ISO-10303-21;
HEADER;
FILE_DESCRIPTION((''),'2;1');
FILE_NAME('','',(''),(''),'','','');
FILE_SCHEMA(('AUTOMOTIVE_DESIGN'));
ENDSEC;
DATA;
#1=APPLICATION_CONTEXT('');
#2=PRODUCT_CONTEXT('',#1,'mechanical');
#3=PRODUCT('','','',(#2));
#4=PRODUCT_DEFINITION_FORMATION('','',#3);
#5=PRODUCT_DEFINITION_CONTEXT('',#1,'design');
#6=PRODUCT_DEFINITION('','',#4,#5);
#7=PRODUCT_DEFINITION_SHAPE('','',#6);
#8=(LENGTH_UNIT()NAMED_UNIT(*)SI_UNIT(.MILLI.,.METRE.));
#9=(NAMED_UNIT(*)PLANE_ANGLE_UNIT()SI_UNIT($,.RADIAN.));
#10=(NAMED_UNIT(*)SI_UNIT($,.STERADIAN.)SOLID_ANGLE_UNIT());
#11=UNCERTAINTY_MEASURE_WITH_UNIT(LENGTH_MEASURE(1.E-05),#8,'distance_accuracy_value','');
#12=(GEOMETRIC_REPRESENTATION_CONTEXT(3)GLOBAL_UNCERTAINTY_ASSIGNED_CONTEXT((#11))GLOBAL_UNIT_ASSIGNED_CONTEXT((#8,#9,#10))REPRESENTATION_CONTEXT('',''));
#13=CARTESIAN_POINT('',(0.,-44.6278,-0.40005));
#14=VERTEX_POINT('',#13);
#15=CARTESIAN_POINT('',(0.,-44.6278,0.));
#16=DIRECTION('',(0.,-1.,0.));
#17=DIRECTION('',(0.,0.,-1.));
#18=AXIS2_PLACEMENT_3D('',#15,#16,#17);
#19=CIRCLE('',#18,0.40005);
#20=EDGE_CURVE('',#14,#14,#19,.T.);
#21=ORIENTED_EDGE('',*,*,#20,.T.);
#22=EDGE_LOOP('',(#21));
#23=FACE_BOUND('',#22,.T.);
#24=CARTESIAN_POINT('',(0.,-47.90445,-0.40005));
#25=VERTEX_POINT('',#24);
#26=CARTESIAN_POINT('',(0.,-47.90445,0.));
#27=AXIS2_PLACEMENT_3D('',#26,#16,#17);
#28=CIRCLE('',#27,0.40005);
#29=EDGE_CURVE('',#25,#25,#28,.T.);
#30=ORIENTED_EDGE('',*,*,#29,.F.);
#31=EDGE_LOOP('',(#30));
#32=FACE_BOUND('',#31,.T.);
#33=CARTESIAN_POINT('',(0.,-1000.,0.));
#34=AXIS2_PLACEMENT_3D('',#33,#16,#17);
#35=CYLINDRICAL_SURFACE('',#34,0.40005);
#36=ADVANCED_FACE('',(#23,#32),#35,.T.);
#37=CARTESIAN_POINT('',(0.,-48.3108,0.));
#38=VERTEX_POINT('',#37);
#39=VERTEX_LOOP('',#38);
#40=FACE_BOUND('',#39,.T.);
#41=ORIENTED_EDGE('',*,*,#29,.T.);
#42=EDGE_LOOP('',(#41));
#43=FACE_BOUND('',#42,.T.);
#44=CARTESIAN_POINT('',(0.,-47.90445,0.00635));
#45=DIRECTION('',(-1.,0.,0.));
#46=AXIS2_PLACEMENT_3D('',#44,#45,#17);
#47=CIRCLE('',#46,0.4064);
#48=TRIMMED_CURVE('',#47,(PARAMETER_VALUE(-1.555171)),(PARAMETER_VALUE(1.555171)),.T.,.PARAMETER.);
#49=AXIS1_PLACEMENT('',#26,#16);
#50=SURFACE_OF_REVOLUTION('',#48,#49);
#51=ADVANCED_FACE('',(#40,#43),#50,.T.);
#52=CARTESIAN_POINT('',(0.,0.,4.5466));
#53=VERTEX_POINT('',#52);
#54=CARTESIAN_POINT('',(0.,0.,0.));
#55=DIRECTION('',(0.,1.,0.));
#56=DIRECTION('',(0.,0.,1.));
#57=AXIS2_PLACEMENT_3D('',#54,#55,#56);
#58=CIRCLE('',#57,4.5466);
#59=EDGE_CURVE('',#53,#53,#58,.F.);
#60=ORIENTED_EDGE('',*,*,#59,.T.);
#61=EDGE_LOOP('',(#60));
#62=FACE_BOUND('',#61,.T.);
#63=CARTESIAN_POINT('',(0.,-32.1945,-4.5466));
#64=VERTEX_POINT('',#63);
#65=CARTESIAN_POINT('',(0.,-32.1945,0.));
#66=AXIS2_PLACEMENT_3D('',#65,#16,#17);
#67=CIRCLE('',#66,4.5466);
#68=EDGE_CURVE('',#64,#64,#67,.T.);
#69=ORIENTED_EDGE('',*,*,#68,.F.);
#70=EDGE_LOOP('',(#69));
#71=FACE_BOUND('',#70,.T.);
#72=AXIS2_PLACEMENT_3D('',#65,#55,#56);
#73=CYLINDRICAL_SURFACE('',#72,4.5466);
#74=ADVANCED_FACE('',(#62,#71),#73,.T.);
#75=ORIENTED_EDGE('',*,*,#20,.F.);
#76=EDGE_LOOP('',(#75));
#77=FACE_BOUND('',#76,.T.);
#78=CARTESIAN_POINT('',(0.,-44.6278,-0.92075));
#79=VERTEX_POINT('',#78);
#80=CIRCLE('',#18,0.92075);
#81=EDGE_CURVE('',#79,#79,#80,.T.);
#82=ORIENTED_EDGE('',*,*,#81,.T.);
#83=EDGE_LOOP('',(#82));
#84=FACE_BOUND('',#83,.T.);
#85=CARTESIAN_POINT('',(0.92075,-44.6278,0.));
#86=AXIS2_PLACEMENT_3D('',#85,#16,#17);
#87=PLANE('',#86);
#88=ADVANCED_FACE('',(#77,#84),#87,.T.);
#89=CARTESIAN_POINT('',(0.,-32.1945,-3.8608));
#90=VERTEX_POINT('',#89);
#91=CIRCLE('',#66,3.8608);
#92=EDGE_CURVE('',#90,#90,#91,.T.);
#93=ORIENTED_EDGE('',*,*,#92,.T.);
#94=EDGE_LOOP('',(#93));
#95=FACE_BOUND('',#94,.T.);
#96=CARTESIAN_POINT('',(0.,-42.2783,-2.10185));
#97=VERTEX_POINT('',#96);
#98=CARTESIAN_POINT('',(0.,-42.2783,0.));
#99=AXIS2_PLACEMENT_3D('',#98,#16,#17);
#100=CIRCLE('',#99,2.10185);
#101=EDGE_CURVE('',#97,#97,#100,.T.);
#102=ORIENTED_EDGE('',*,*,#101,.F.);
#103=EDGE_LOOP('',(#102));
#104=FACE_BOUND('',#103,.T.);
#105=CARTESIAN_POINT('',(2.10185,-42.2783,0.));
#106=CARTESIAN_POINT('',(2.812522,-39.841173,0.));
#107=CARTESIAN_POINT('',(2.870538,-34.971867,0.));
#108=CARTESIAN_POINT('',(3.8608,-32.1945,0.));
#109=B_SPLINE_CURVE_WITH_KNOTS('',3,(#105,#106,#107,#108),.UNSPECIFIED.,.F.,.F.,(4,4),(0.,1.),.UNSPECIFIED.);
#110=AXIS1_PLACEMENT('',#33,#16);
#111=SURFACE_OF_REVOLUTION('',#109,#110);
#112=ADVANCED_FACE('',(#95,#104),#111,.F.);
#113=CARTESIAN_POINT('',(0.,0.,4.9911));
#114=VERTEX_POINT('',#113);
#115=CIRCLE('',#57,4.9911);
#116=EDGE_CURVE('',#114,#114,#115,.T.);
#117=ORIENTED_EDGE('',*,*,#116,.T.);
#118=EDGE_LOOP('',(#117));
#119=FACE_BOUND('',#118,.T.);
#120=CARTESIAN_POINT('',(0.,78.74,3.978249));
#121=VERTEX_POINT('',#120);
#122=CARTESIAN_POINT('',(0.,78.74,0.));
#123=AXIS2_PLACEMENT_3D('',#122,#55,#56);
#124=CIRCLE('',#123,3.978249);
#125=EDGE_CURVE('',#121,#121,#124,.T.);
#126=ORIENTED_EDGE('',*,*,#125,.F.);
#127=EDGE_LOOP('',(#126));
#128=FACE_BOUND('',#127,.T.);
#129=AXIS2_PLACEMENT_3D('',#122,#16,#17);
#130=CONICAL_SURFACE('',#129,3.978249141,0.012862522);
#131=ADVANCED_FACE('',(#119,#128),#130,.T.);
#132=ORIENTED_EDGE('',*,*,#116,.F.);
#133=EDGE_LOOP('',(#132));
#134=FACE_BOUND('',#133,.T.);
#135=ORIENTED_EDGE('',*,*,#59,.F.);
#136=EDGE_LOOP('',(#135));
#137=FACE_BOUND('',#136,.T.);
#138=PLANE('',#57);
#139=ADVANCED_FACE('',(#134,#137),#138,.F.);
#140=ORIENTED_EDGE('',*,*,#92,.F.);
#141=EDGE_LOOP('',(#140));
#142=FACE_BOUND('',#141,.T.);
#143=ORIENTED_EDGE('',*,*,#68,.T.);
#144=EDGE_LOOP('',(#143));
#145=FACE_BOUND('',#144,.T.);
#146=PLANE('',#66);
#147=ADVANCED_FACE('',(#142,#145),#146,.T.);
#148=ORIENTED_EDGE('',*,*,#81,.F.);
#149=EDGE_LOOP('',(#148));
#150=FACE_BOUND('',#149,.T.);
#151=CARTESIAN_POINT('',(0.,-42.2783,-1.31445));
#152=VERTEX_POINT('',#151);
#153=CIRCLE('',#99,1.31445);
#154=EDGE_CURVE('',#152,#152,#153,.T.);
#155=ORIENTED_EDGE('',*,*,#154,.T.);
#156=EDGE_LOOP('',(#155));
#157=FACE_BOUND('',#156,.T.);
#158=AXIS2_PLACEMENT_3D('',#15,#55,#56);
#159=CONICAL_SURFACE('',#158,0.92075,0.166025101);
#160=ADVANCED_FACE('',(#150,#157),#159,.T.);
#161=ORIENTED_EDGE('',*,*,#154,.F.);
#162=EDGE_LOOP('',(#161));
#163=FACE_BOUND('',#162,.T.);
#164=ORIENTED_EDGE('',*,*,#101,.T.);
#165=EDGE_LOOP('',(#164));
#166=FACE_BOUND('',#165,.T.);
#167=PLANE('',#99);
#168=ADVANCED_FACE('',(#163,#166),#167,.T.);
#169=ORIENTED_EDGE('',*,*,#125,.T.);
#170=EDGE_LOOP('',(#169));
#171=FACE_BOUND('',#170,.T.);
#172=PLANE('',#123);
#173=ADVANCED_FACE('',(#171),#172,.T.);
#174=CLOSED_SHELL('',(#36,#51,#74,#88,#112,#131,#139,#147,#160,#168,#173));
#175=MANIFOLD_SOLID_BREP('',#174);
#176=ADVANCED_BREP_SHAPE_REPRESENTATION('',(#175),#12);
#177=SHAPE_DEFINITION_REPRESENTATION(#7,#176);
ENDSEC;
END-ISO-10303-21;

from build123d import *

# Parameters (mm, degrees)
SKETCH1_R           = 4.9911
SKETCH9_R           = 3.978249141
SKETCH11_R          = 4.5466
BOSS_EXTRUDE6_DEPTH = 32.1945


with BuildPart() as part:
    # Sketch1 → Loft2 section 0
    with BuildSketch(Plane(origin=(0, 0, 0), x_dir=(1, 0, 0), z_dir=(0, 1, 0))):
        Circle(SKETCH1_R)
    # Sketch9 → Loft2 section 1
    with BuildSketch(Plane(origin=(0, 78.74, 0), x_dir=(-1, 0, 0), z_dir=(0, 1, 0))):
        Circle(SKETCH9_R)
    loft()

    # Sketch11 → Boss-Extrude6 (add)
    with BuildSketch(Plane.XZ):
        Circle(SKETCH11_R)
    extrude(amount=BOSS_EXTRUDE6_DEPTH)

    # Sketch12 → Revolve1 (revolve)
    with BuildSketch(Plane.XY):
        with BuildLine():
            Line((0, -32.1945), (3.8608, -32.1945))
            add(Edge.make_bspline(
                [(3.8608, -32.1945), (2.870537627, -34.971866769), (2.812521689, -39.84117335), (2.10185, -42.2783)],
                knots=[0, 0, 0, 0, 1, 1, 1, 1], degree=3))
            Line((2.10185, -42.2783), (0, -42.2783))
            Line((0, -42.2783), (0, -32.1945))
        make_face()
    revolve(axis=Axis((0, -1000, 0), (0, 1, 0)))

    # Sketch13 → Revolve2 (revolve)
    with BuildSketch(Plane.XY):
        Polygon((0, -42.2783), (1.31445, -42.2783), (0.92075, -44.6278), (0, -44.6278), align=None)
    revolve(axis=Axis((0, -1000, 0), (0, 1, 0)))

    # Sketch14 → Revolve3 (revolve)
    with BuildSketch(Plane.XY):
        with BuildLine():
            Line((0, -44.6278), (0.40005, -44.6278))
            Line((0.40005, -44.6278), (0.40005, -47.904449612))
            ThreePointArc((0.40005, -47.904449612), (0.283254558, -48.189563905), (0, -48.3108))
            Line((0, -48.3108), (0, -44.6278))
        make_face()
    revolve(axis=Axis((0, -1000, 0), (0, 1, 0)))


solid = part.part
